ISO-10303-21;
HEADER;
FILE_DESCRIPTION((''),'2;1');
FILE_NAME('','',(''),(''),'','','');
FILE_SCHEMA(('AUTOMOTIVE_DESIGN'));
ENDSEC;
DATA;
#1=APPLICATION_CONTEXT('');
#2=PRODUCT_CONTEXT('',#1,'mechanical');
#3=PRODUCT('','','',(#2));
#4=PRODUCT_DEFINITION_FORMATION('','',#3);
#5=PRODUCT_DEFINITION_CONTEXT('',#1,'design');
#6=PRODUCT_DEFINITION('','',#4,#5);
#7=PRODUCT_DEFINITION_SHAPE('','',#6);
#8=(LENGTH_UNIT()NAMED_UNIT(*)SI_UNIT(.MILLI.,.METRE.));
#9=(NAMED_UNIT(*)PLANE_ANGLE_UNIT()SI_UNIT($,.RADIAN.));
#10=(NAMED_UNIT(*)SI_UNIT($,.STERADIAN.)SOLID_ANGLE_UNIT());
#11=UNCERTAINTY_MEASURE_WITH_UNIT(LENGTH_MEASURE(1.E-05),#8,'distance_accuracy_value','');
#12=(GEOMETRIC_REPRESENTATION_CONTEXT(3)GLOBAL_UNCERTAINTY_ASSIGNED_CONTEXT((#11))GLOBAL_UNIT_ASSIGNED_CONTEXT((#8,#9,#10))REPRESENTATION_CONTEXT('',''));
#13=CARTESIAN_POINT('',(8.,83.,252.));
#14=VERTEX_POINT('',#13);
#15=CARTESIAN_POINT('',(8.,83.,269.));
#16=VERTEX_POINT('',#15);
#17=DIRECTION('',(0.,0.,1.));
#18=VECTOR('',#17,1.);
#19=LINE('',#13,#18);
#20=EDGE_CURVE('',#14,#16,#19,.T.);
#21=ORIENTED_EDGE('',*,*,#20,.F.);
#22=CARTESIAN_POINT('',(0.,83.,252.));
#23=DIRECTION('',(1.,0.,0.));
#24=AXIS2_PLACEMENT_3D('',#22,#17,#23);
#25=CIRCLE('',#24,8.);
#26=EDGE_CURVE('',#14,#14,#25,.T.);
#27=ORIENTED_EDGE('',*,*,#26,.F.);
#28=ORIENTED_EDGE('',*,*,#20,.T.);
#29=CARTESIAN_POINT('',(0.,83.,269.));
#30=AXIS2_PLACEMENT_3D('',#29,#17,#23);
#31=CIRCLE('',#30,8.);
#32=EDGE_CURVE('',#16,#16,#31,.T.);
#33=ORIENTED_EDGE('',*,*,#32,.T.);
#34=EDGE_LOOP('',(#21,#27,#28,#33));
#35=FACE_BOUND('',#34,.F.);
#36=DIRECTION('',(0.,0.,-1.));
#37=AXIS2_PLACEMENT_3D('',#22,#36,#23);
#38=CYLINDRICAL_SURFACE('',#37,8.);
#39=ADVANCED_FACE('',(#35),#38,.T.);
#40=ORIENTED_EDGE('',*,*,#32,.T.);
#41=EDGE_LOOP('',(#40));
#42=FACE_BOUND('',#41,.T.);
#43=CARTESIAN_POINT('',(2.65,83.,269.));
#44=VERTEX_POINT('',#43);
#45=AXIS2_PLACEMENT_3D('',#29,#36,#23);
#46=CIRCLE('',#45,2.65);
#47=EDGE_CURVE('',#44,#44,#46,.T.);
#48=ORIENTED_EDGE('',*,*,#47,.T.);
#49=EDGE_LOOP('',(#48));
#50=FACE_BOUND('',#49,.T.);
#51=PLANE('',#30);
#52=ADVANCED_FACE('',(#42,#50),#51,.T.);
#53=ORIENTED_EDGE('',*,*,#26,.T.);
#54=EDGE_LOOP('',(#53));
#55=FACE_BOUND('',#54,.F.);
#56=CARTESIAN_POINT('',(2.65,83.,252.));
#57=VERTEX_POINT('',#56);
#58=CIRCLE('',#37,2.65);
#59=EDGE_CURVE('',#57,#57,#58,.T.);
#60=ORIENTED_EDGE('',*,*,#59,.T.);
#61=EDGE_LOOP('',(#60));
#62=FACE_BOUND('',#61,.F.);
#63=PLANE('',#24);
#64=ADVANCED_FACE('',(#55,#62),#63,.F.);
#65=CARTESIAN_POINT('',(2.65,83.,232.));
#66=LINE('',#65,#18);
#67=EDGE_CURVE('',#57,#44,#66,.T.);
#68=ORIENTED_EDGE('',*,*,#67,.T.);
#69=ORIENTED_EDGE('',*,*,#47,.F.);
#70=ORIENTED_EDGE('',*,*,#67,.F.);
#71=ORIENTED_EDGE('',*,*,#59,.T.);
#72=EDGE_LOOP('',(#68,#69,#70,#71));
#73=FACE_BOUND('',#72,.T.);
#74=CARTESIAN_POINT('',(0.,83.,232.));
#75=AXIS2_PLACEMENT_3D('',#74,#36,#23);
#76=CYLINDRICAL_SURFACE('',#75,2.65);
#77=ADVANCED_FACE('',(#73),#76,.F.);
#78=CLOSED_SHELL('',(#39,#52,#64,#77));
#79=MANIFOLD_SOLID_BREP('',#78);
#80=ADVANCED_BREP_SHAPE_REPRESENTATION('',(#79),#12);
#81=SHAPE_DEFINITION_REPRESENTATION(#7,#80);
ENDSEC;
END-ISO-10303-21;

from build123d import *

# Parameters (mm, degrees)
CYLINDER670_R     = 2.65
CYLINDER670_DEPTH = 40
CYLINDER669_R     = 8
CYLINDER669_DEPTH = 17


with BuildPart() as v_lec670:
    # Cylinder670 → Cylinder670 (new body)
    with BuildSketch(Plane(origin=(0, 83, 232), x_dir=(1, 0, 0), z_dir=(0, 0, 1))):
        Circle(CYLINDER670_R)
    extrude(amount=CYLINDER670_DEPTH)


with BuildPart() as cut268:
    # Cylinder669 → Cylinder669 (new body)
    with BuildSketch(Plane(origin=(0, 83, 252), x_dir=(1, 0, 0), z_dir=(0, 0, 1))):
        Circle(CYLINDER669_R)
    extrude(amount=CYLINDER669_DEPTH)

    # Cut268: cut Válec670
    add(v_lec670.part, mode=Mode.SUBTRACT)


solid = cut268.part
